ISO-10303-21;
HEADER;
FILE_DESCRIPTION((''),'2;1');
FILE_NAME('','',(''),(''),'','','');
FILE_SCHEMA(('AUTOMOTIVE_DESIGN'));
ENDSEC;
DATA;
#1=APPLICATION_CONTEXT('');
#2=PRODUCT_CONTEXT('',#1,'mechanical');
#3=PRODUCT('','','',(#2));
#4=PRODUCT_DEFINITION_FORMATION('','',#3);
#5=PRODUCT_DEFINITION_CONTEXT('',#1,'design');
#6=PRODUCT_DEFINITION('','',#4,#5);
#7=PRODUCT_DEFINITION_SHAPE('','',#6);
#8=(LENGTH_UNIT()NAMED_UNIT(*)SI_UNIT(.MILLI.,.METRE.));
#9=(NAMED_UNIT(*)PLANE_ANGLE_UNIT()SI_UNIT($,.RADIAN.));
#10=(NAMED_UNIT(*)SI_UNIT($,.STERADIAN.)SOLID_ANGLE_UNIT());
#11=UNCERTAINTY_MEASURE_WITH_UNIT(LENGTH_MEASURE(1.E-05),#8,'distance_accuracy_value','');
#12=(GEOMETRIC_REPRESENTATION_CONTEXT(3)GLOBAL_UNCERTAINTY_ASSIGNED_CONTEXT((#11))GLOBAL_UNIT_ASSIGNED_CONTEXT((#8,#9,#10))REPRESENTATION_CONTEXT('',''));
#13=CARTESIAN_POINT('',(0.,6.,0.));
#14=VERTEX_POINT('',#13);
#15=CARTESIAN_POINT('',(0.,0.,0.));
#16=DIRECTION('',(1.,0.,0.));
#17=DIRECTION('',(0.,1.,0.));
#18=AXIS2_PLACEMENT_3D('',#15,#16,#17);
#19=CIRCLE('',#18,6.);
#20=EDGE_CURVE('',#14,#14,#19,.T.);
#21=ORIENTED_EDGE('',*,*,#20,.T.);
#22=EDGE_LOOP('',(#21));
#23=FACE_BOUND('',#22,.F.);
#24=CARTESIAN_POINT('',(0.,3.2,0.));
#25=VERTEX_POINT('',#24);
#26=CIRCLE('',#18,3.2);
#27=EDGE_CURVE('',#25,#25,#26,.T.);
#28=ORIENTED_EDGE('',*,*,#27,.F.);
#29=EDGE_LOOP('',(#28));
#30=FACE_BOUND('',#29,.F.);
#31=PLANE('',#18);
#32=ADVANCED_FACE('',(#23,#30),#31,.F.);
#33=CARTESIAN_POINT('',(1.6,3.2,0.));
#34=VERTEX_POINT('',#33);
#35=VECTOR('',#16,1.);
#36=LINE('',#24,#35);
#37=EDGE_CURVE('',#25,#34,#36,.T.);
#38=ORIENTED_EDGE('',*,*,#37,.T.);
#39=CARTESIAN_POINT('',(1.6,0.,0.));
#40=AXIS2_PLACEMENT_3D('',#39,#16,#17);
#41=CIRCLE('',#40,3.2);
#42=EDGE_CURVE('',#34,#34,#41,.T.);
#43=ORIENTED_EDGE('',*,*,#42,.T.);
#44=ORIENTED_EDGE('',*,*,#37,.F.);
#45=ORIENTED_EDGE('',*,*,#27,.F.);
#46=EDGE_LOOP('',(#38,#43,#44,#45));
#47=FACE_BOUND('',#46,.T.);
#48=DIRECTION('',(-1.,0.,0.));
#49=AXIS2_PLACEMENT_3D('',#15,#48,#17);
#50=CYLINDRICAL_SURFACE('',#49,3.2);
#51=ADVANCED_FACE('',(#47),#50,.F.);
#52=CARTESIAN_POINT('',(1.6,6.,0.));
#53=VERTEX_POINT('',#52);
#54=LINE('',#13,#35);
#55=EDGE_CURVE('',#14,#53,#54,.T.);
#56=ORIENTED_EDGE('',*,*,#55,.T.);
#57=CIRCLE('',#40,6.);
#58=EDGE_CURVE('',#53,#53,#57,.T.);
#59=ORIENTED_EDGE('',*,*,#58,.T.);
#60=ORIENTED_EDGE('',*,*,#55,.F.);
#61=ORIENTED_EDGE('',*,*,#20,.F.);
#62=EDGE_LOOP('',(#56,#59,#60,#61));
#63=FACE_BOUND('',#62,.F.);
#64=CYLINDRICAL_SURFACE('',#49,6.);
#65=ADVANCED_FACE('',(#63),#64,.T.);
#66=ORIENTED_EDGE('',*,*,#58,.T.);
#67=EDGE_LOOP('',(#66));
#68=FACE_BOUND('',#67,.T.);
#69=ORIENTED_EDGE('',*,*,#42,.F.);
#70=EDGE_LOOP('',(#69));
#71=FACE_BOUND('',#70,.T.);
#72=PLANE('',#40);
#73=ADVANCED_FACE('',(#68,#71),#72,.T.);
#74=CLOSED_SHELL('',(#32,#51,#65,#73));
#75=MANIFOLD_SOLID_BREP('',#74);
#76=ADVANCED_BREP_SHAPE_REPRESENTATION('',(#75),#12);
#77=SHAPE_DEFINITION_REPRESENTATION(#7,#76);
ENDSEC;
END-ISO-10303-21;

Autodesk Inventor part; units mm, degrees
ref_plane "YZ Plane" through (0, 0, 0) normal (1, 0, 0) x (0, 1, 0)
ref_plane "XZ Plane" through (0, 0, 0) normal (0, 1, 0) x (-1, 0, 0)
sketch "Skizze" plane through (0, 0, 0) normal (1, 0, 0) x (0, 1, 0)
  circle A0 centre (0, 0) radius 6
  circle A1 centre (0, 0) radius 3.2
  dimension "d0" = 6.4
  dimension "d1" = 12
extrude "Körper" add sketch "Skizze" along normal blind 1.6
ref_plane "Work Plane1" through (0, 0, 0) normal (0, 0, 1) x (1, 0, 0)
equation "\"d0\" = SD1"
equation "\"d1\" = SD2"
equation "\"d2\" = SD"
equation "\"SD1\" = 6.4"
equation "\"SD2\" = 12"
equation "\"SD\" = 1.6"
equation "\"NND\" = 6"
properties part number "ISO 7089 - 6" material "Edelstahl"
